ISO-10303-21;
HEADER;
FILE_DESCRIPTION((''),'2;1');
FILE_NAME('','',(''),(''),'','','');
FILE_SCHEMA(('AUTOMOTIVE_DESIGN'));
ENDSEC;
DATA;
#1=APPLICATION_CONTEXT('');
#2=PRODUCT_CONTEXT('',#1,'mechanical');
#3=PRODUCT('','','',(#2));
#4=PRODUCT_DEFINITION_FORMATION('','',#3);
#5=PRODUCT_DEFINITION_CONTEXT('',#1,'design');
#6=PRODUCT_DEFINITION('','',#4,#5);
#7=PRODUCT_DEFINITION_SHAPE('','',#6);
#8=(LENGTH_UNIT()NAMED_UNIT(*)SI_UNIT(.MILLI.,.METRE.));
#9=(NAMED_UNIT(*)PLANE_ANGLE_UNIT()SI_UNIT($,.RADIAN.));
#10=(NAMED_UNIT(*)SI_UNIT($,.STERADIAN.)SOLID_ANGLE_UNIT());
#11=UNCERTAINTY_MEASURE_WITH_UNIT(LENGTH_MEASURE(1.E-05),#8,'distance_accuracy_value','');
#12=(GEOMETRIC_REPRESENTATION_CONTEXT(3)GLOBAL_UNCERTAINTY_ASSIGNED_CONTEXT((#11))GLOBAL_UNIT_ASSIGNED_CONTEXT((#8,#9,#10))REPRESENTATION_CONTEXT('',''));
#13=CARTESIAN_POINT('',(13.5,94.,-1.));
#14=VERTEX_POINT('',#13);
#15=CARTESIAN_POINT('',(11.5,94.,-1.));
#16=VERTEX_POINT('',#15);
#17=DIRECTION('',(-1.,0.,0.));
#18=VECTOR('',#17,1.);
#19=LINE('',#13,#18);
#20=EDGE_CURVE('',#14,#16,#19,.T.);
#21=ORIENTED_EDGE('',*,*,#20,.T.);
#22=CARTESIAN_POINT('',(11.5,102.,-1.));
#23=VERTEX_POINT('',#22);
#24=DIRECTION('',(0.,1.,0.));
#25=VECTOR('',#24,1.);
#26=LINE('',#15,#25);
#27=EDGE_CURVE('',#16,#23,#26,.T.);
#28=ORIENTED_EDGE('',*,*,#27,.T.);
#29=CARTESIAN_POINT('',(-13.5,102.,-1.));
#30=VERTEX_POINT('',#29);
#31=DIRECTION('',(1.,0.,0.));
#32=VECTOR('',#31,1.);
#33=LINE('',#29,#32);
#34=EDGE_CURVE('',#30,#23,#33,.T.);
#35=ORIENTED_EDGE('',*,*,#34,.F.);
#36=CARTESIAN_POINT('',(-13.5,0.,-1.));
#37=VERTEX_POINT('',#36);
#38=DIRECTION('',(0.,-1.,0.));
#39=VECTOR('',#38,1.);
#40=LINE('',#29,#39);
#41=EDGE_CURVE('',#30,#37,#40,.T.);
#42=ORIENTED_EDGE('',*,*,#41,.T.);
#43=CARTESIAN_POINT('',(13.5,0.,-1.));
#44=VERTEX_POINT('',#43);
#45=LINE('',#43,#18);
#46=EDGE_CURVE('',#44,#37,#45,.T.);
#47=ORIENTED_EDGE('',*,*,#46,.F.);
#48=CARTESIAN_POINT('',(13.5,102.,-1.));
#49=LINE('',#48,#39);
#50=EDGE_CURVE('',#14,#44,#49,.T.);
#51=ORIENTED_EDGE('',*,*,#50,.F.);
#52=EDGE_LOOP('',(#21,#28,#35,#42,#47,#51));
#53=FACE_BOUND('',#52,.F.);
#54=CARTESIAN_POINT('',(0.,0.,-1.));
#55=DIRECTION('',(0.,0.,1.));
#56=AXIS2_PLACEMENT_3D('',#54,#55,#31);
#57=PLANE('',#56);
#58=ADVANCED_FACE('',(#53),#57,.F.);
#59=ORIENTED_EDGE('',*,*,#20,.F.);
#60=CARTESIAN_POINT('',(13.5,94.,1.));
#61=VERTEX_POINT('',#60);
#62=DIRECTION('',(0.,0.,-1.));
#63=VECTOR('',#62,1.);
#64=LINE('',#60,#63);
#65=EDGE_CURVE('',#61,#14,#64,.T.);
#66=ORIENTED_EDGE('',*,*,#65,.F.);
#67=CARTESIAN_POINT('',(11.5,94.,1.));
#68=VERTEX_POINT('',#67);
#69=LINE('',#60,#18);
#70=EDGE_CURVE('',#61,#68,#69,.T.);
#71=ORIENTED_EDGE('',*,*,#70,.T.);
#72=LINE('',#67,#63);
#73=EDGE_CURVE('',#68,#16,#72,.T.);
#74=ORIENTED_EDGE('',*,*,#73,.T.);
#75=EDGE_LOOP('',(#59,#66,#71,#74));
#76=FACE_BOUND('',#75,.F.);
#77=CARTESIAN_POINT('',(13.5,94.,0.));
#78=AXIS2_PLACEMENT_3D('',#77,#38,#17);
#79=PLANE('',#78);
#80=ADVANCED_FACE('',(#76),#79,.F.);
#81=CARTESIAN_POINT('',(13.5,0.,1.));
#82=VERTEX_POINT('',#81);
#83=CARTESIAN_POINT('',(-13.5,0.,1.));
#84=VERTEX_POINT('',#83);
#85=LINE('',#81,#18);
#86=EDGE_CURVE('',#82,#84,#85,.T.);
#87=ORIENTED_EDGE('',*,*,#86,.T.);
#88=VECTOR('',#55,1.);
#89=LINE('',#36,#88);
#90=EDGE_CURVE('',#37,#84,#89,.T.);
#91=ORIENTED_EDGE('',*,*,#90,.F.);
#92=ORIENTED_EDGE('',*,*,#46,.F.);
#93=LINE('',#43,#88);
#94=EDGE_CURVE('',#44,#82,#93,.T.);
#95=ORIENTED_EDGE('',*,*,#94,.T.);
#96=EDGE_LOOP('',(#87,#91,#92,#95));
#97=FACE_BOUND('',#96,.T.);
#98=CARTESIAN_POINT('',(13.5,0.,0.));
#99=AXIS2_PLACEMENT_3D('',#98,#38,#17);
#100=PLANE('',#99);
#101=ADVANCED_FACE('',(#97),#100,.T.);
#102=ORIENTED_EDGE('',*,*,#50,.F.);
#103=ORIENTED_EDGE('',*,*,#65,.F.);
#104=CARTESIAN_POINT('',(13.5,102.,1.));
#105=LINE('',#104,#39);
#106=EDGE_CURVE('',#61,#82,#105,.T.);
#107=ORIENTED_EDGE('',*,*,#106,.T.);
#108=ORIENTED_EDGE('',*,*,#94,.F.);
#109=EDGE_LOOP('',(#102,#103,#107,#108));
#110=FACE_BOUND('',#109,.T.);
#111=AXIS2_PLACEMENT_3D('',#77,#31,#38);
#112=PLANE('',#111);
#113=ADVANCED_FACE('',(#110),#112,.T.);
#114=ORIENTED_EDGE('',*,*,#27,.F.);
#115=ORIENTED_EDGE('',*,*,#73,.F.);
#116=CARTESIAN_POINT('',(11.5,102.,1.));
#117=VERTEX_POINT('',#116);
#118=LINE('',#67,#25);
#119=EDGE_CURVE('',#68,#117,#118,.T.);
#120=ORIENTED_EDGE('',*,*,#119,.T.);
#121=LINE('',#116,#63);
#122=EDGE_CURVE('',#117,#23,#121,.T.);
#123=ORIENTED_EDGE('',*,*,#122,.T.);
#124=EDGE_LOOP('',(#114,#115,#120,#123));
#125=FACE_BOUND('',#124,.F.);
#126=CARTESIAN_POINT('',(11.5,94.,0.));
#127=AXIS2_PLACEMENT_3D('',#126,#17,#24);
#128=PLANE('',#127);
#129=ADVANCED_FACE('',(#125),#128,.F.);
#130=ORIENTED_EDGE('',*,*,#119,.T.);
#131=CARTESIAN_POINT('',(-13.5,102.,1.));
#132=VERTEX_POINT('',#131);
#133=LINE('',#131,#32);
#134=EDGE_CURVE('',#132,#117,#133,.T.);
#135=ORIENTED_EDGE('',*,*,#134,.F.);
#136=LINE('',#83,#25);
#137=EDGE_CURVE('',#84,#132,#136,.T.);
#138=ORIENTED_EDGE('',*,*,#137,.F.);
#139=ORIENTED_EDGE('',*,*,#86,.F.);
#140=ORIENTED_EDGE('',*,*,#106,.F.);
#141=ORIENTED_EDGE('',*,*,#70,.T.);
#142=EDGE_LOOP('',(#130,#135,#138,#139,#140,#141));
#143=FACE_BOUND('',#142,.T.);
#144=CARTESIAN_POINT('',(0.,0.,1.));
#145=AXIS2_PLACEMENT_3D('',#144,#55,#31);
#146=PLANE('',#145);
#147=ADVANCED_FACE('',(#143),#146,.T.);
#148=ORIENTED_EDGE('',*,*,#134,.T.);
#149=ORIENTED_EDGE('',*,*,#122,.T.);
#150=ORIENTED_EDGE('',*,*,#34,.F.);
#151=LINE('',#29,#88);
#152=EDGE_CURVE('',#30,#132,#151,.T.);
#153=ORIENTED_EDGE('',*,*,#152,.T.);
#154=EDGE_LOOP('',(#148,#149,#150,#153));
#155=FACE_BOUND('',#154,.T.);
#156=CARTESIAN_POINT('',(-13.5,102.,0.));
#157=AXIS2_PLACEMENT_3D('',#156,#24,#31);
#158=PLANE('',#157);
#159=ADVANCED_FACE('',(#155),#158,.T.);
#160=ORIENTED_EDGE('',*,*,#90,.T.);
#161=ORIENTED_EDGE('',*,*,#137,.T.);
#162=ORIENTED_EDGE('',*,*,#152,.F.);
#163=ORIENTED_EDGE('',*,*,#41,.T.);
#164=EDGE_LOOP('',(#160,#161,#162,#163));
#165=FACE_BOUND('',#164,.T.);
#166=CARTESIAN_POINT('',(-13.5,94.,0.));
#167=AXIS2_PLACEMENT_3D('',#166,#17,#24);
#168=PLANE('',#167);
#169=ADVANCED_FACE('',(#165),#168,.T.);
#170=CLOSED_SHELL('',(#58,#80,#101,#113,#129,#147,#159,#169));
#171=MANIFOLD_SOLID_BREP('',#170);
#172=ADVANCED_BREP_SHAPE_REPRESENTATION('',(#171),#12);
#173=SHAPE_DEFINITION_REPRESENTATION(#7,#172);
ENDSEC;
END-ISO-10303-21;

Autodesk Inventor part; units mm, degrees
ref_plane "YZ Plane" through (0, 0, 0) normal (1, 0, 0) x (0, 1, 0)
ref_plane "XZ Plane" through (0, 0, 0) normal (0, 1, 0) x (-1, 0, 0)
ref_plane "XY Plane" through (0, 0, 0) normal (0, 0, 1) x (1, 0, 0)
sketch "Sketch1" plane through (0, 0, 0) normal (0, 0, 1) x (1, 0, 0)
  line L0 (-13.5, 102) -> (13.5, 102)
  line L1 (13.5, 102) -> (13.5, 0)
  line L2 (13.5, 0) -> (-13.5, 0)
  line L3 (-13.5, 0) -> (-13.5, 102)
  line L4 (13.5, 94) -> (-13.5, 94)
  line L5 (11.5, 94) -> (11.5, 102)
  point P0 (0, 0)
  point P1 (0, 0)
  point P2 (0, 0)
  point P3 (0, 0)
  point P4 (0, 0)
  dimension "d27" = 27
  dimension "d29" = 102
  dimension "d30" = 2
  dimension "d31" = 8
extrude "Plate1" add sketch "Sketch1" along normal mid plane 2 contours L0 L5 L4 L3 | L4 L1 L2 L3
equation "\"d29\" = 0.5 * Шстр_диам_внутр - 0.5 * Колесо_диам_3 - 2 * Thickness"
equation "\"d30\" = Thickness"
equation "\"d31\" = 0.5 * Шстр_диам_внутр - 0.5 * Колесо_диам_2 - Thickness"
equation "\"d15\" = Thickness"
equation "\"BendRadius\" = Thickness"
equation "\"BendReliefWidth\" = Thickness"
equation "\"BendReliefDepth\" = 0.5 * Thickness"
equation "\"CornerReliefSize\" = 4 * Thickness"
equation "\"MinimumRemnant\" = 2 * Thickness"
equation "\"TransitionRadius\" = BendRadius"
equation "\"JacobiRadiusSize\" = BendRadius"
equation "\"GapSize\" = Thickness"
equation "\"Шстр_диам_внутр\" = 720"
equation "\"Колесо_диам_3\" = 508"
equation "\"Thickness\" = 2"
equation "\"Колесо_диам_2\" = 700"
properties part number "DMF2.0 01 42 Gear way 2"
